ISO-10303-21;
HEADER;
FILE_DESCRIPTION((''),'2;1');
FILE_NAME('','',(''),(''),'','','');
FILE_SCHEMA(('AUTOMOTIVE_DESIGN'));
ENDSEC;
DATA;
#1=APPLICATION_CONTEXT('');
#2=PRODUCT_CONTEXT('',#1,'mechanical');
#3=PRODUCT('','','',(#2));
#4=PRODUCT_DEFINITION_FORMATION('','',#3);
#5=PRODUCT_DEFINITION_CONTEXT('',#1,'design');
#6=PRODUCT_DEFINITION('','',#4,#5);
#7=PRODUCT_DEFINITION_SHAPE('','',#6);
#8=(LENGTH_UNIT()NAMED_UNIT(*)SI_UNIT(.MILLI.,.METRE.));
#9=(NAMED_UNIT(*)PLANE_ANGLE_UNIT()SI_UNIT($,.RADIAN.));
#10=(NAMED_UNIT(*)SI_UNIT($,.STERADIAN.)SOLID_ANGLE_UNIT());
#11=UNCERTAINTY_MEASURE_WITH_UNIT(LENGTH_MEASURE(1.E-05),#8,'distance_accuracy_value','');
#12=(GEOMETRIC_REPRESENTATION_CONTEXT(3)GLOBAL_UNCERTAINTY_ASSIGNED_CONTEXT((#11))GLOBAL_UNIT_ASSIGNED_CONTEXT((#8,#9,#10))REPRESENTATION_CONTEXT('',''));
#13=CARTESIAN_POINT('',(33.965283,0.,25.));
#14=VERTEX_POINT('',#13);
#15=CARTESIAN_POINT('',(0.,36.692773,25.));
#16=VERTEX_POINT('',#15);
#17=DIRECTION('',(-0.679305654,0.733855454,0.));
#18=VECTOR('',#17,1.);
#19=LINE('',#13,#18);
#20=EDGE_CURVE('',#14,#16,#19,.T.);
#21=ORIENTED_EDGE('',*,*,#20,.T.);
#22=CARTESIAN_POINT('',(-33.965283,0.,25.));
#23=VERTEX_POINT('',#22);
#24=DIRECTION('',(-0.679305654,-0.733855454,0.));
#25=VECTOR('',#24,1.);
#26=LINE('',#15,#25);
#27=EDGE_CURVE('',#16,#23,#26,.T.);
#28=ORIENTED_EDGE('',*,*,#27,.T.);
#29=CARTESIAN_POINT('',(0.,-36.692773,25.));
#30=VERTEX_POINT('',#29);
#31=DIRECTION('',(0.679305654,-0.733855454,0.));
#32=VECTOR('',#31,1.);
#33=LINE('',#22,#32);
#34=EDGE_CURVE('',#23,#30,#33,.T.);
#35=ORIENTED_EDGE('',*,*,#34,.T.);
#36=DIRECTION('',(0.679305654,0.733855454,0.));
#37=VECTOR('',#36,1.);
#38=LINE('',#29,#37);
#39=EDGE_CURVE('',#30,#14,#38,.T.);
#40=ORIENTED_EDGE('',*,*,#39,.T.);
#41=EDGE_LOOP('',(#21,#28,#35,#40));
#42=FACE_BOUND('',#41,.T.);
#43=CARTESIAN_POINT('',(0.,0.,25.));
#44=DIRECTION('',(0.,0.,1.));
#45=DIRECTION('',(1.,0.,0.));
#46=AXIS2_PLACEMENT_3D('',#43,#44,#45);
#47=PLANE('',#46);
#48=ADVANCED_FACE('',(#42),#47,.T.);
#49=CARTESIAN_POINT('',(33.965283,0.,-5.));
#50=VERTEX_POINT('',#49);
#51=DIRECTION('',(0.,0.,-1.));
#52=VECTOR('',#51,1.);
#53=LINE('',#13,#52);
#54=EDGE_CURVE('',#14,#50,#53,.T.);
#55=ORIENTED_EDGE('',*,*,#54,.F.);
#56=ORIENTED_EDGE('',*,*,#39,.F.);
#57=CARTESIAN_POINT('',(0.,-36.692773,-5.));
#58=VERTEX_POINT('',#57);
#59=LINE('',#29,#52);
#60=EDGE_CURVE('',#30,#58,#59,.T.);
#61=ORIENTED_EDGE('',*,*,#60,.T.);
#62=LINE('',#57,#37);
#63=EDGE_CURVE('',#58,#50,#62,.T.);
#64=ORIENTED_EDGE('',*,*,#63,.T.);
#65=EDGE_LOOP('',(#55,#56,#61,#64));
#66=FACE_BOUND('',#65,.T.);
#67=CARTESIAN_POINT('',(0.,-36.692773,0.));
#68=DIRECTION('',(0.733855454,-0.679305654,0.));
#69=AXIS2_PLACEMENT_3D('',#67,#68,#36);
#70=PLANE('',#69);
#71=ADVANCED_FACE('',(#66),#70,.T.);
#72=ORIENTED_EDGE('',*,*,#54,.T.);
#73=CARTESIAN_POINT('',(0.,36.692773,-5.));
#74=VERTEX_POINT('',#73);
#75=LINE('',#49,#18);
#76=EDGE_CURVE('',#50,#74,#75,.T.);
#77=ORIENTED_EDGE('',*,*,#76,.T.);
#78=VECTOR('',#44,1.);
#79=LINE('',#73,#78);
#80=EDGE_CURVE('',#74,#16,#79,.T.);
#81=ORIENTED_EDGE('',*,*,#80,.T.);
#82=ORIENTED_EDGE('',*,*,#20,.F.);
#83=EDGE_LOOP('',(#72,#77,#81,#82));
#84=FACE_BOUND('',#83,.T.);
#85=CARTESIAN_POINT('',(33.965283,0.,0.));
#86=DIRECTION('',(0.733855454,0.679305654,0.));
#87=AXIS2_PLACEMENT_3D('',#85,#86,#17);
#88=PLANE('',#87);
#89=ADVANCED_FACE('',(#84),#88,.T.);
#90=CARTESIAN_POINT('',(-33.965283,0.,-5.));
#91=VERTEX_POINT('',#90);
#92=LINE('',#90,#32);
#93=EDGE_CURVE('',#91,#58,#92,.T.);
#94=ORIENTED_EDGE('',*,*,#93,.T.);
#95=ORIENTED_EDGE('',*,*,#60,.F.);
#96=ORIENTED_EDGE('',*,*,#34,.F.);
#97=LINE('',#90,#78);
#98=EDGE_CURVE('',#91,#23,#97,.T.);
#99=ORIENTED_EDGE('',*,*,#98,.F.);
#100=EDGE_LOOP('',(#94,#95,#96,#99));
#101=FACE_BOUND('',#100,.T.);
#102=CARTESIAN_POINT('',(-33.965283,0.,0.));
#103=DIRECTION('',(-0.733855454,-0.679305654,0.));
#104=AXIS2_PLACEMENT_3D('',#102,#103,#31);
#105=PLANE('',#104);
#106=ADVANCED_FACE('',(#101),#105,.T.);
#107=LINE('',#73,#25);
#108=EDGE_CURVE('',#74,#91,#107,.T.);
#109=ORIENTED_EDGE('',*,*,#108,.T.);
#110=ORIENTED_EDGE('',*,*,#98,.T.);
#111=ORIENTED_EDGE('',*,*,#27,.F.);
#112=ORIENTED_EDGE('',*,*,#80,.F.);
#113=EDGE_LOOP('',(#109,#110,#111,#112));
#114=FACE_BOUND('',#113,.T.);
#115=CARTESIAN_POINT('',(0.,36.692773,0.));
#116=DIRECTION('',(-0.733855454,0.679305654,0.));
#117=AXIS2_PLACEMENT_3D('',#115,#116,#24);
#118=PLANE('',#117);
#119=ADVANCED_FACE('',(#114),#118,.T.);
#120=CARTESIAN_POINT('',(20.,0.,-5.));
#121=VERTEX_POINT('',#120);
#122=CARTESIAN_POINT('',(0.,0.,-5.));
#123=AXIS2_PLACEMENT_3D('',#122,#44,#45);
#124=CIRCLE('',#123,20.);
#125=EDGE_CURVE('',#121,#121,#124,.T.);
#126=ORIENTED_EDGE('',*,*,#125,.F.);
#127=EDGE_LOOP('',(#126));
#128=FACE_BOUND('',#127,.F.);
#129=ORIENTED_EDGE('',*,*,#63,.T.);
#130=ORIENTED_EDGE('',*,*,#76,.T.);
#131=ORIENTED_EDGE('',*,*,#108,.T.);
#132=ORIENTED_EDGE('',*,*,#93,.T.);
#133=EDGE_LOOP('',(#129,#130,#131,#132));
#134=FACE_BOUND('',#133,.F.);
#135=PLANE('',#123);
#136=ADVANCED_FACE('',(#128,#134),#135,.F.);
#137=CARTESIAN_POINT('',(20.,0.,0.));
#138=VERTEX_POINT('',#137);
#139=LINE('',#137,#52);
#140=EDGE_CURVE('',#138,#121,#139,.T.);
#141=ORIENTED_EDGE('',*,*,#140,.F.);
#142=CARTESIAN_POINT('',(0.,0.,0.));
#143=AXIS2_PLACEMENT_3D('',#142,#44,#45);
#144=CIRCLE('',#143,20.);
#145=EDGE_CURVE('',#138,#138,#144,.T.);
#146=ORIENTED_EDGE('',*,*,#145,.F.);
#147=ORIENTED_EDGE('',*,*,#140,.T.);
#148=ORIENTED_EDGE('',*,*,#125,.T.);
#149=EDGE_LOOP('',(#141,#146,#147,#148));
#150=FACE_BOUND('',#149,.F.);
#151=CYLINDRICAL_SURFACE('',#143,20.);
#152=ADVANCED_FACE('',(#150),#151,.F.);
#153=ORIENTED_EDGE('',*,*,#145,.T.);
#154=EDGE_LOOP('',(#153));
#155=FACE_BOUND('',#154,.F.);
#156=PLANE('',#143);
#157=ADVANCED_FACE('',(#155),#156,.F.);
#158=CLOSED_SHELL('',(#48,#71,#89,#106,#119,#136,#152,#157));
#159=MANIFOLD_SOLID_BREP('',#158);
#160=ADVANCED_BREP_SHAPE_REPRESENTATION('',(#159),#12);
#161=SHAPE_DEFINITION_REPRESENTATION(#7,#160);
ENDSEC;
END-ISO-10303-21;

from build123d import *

# Parameters (mm, degrees)
F0_R      = 20
F1_DEPTH  = 25
F2_DEPTH  = 10
F3_DEPTH  = 15
F4_DEPTH  = 25
F5_DEPTH  = 5
F6_DEPTH  = 10
F7_DEPTH  = 10
F5_FACE_R = 20
F8_DEPTH  = 10


with BuildPart() as f1:
    # F0 (on Top) → F1 (new body)
    with BuildSketch(Plane.XY):
        Polygon((33.9652827231, 0), (0, 36.6927727154), (-33.9652827231, 0), (0, -36.6927727154), align=None)
        Circle(F0_R, mode=Mode.SUBTRACT)
    extrude(amount=F1_DEPTH)

    # F0 (on Top) → F2 (join)
    with BuildSketch(Plane.XY):
        Polygon((33.9652827231, 0), (0, 36.6927727154), (-33.9652827231, 0), (0, -36.6927727154), align=None)
        Circle(F0_R, mode=Mode.SUBTRACT)
    extrude(amount=F2_DEPTH)

    # F0 (on Top) → F3 (join)
    with BuildSketch(Plane.XY):
        Polygon((33.9652827231, 0), (0, 36.6927727154), (-33.9652827231, 0), (0, -36.6927727154), align=None)
        Circle(F0_R, mode=Mode.SUBTRACT)
        Circle(F0_R)
    extrude(amount=F3_DEPTH)

    # F0 (on Top) → F4 (join)
    with BuildSketch(Plane.XY):
        Circle(F0_R)
    extrude(amount=F4_DEPTH)

    # F0 (on Top) → F5 (join)
    with BuildSketch(Plane.XY):
        Polygon((33.9652827231, 0), (0, 36.6927727154), (-33.9652827231, 0), (0, -36.6927727154), align=None)
        Circle(F0_R, mode=Mode.SUBTRACT)
    extrude(amount=-F5_DEPTH)

    # F0 (on Top) → F6 (join)
    with BuildSketch(Plane.XY):
        Circle(F0_R)
    extrude(amount=F6_DEPTH)

    # F0 (on Top) → F7 (join)
    with BuildSketch(Plane.XY):
        Circle(F0_R)
    extrude(amount=F7_DEPTH)

    # F0 (on Top) + F5_face (on face) → F8 (join)
    with BuildSketch(Plane.XY):
        Circle(F0_R)
    with BuildSketch(Plane(origin=(0, 0, -5), x_dir=(1, 0, 0), z_dir=(0, 0, -1))):
        Polygon((0, 36.6927727154), (-33.9652827231, 0), (0, -36.6927727154), (33.9652827231, 0), align=None)
        Circle(F5_FACE_R, mode=Mode.SUBTRACT)
    extrude(amount=F8_DEPTH, dir=(0, 0, 1))


solid = f1.part
